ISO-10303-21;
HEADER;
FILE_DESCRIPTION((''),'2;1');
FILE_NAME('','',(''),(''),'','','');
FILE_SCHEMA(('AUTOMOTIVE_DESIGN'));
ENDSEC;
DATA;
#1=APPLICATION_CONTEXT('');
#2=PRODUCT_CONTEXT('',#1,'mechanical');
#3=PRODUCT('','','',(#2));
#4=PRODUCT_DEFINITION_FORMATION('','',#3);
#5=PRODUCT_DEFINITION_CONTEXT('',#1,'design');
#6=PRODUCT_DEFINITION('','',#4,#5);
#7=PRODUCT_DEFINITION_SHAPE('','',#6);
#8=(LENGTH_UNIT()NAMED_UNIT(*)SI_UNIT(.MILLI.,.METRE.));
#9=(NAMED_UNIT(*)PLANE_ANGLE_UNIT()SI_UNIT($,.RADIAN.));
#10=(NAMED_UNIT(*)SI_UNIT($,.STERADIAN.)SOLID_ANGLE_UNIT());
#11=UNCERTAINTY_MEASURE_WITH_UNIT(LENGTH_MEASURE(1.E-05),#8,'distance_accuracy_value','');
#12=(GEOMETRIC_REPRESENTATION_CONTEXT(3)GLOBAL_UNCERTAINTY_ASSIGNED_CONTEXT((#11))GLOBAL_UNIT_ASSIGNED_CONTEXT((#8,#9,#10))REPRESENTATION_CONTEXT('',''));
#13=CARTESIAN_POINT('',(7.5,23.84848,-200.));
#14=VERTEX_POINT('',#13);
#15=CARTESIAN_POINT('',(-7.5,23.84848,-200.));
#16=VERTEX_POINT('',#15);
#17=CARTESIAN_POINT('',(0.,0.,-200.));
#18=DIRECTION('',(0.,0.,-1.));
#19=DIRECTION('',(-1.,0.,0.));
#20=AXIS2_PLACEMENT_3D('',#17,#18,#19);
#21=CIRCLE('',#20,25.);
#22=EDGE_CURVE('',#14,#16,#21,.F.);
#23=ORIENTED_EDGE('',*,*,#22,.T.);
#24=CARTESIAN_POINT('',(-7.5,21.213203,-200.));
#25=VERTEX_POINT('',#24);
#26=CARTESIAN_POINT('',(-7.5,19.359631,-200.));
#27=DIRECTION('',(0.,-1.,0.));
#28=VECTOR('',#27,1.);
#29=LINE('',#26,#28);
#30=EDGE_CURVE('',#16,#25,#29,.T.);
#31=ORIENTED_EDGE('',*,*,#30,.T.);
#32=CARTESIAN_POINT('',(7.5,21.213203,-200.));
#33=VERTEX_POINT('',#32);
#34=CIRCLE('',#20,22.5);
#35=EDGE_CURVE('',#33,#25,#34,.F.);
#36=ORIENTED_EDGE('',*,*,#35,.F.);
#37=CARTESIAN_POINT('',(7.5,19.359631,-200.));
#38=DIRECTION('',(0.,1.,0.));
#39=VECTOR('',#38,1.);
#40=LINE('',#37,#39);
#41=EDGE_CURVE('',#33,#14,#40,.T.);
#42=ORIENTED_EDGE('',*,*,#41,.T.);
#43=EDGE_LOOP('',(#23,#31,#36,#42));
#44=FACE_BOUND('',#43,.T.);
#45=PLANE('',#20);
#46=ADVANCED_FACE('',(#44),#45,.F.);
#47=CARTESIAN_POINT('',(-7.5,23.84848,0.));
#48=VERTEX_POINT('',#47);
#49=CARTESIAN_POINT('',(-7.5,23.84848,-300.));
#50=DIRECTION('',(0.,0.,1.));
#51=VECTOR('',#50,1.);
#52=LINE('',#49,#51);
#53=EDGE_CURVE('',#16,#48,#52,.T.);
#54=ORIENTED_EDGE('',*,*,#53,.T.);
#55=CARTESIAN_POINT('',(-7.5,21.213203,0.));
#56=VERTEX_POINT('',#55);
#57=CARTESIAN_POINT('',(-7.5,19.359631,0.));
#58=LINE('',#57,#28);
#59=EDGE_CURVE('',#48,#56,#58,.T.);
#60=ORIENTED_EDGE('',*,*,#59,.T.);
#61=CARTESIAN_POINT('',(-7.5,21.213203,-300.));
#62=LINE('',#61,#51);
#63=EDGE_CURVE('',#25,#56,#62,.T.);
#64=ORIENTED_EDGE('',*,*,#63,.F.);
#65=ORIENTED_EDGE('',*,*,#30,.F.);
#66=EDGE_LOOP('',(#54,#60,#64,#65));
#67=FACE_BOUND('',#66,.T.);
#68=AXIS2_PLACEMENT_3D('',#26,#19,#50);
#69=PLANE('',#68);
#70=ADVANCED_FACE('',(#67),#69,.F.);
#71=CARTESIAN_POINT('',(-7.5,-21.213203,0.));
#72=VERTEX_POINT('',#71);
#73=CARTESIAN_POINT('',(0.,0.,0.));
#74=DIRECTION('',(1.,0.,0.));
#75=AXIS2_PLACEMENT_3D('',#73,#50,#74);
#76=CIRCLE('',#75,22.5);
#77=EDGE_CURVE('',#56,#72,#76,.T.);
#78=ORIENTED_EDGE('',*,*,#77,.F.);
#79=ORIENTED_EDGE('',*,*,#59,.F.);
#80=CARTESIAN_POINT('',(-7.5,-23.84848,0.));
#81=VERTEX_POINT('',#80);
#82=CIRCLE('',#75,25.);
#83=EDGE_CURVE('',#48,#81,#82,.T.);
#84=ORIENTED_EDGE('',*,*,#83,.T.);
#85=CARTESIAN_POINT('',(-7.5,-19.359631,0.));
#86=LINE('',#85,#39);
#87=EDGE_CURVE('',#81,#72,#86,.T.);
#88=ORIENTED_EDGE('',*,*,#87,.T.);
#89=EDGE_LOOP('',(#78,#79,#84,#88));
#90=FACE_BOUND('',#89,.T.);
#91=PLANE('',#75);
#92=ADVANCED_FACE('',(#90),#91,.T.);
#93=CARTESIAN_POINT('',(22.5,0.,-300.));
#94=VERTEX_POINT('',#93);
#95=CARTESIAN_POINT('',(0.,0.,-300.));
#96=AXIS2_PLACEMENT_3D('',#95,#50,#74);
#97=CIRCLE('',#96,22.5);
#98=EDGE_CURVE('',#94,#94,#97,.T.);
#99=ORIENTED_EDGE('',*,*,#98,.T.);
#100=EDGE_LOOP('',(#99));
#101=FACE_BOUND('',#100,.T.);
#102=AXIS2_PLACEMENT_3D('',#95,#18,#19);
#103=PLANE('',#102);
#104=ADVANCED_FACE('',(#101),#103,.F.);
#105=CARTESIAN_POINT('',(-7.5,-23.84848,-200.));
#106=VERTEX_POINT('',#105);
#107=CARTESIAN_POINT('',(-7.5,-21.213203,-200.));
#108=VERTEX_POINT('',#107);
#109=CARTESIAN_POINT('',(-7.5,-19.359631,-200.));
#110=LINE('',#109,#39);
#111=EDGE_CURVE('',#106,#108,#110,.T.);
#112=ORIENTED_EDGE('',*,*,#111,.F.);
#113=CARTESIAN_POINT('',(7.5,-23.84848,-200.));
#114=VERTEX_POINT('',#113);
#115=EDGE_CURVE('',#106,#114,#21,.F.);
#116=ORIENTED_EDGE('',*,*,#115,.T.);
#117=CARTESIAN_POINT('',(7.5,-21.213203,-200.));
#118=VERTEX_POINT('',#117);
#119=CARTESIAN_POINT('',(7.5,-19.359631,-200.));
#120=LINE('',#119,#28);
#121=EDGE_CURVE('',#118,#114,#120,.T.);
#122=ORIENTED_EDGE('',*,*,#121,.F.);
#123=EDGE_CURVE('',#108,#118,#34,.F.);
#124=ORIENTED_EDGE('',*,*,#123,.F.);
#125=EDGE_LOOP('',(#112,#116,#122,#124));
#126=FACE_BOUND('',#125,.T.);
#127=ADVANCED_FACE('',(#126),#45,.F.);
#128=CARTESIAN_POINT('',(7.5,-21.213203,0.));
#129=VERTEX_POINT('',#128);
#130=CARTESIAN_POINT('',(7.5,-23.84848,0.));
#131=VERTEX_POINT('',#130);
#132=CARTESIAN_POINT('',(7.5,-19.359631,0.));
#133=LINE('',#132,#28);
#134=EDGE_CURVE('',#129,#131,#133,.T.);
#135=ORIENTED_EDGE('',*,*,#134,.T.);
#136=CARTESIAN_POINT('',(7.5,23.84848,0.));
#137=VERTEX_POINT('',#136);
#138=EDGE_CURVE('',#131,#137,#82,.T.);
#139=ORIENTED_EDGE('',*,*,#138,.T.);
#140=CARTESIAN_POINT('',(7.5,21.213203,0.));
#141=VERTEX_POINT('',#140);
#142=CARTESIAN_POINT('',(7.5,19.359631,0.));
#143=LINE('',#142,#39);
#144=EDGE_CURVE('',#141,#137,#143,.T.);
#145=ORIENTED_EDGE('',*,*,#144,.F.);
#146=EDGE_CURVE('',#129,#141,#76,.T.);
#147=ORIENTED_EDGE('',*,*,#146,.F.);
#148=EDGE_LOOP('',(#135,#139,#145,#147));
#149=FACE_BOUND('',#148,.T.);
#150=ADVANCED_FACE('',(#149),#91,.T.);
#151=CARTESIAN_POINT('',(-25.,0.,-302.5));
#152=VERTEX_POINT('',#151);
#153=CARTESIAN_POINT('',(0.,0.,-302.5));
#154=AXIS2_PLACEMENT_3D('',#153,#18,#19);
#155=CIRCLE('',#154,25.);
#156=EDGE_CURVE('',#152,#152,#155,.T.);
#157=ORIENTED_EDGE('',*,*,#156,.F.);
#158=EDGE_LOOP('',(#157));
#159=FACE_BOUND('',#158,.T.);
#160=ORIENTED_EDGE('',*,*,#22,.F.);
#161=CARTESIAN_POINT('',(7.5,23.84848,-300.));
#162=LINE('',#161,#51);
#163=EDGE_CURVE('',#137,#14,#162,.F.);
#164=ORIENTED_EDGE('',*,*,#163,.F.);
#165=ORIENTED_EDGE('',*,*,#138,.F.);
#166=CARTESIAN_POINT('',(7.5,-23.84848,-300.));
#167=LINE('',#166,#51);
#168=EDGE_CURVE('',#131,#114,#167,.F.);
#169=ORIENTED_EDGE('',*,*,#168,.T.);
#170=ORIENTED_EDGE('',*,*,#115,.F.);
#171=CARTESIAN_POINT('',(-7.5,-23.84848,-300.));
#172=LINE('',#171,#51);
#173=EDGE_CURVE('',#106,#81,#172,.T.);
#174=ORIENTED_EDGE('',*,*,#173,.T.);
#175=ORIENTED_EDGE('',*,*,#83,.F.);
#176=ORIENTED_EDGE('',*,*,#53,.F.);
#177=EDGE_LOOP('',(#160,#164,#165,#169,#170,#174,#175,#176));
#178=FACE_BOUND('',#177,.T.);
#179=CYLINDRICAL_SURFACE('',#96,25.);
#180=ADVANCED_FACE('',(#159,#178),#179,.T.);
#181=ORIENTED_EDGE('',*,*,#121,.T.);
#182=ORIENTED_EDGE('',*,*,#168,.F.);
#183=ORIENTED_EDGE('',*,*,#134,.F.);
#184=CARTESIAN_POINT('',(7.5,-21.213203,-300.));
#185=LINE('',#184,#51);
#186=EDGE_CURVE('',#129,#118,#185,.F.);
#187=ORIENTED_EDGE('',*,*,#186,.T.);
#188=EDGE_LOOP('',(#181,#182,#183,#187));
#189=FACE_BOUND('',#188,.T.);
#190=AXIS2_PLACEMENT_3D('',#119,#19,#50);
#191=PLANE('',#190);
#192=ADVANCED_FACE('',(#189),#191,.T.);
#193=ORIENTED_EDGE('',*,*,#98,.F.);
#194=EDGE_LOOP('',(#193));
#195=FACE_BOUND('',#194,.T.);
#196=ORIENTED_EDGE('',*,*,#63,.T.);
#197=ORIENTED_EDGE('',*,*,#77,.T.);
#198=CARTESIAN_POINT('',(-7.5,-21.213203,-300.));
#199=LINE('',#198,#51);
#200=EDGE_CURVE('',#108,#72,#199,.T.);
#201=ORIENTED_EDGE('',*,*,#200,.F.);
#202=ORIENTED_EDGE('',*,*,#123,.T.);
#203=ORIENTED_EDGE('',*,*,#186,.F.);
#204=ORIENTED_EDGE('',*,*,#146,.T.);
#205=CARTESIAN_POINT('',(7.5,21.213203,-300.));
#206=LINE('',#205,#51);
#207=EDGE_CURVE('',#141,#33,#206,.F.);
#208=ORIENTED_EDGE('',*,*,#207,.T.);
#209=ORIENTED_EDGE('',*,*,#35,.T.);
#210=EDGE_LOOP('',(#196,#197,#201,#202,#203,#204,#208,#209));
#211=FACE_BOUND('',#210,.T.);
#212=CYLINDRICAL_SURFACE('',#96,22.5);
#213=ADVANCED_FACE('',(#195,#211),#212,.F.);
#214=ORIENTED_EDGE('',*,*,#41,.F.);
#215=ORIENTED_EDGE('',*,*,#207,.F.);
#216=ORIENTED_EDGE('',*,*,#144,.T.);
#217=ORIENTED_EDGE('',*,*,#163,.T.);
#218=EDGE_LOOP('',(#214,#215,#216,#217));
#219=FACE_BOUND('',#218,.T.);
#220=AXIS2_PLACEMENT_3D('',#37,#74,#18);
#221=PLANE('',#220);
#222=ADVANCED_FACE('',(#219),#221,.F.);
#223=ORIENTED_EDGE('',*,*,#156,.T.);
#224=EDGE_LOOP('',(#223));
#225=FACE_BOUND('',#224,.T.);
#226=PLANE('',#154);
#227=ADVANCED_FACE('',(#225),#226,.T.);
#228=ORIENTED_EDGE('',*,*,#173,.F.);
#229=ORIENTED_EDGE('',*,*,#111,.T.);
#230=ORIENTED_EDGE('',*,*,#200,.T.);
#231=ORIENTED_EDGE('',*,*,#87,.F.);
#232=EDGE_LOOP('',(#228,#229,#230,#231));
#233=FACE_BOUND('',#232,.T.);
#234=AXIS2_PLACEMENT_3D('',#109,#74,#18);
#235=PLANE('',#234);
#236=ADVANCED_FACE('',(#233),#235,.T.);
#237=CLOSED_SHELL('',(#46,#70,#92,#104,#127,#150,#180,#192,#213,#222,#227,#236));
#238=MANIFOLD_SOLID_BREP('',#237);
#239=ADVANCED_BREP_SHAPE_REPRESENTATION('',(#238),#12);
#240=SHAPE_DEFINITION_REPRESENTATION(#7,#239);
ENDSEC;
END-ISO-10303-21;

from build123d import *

# Parameters (mm, degrees)
SKETCH1_R           = 25
SKETCH1_R_2         = 22.5
BOSS_EXTRUDE1_DEPTH = 300
SKETCH2_W           = 15
SKETCH2_H           = 7.280738242
CUT_EXTRUDE1_DEPTH  = 200
SKETCH3_R           = 25
BOSS_EXTRUDE2_DEPTH = 2.5


with BuildPart() as part:
    # Sketch1 → Boss-Extrude1 (new body)
    with BuildSketch(Plane.XY):
        Circle(SKETCH1_R)
        Circle(SKETCH1_R_2, mode=Mode.SUBTRACT)
    extrude(amount=-BOSS_EXTRUDE1_DEPTH)

    # Sketch2 → Cut-Extrude1 (cut)
    with BuildSketch(Plane.XY):
        with Locations((0, 23)):
            Rectangle(SKETCH2_W, SKETCH2_H)
    cut_extrude1 = extrude(amount=-CUT_EXTRUDE1_DEPTH, mode=Mode.SUBTRACT)

    # Mirror1: Cut-Extrude1 across plane
    add(cut_extrude1.mirror(Plane.ZX), mode=Mode.SUBTRACT)

    # Sketch3 → Boss-Extrude2 (add)
    with BuildSketch(Plane(origin=(0, 0, -300), x_dir=(-1, 0, 0), z_dir=(0, 0, -1))):
        with Locations(Location((0, 0, 0), (0, 0, 107.457603124))):
            Circle(SKETCH3_R)
    extrude(amount=BOSS_EXTRUDE2_DEPTH)


solid = part.part
